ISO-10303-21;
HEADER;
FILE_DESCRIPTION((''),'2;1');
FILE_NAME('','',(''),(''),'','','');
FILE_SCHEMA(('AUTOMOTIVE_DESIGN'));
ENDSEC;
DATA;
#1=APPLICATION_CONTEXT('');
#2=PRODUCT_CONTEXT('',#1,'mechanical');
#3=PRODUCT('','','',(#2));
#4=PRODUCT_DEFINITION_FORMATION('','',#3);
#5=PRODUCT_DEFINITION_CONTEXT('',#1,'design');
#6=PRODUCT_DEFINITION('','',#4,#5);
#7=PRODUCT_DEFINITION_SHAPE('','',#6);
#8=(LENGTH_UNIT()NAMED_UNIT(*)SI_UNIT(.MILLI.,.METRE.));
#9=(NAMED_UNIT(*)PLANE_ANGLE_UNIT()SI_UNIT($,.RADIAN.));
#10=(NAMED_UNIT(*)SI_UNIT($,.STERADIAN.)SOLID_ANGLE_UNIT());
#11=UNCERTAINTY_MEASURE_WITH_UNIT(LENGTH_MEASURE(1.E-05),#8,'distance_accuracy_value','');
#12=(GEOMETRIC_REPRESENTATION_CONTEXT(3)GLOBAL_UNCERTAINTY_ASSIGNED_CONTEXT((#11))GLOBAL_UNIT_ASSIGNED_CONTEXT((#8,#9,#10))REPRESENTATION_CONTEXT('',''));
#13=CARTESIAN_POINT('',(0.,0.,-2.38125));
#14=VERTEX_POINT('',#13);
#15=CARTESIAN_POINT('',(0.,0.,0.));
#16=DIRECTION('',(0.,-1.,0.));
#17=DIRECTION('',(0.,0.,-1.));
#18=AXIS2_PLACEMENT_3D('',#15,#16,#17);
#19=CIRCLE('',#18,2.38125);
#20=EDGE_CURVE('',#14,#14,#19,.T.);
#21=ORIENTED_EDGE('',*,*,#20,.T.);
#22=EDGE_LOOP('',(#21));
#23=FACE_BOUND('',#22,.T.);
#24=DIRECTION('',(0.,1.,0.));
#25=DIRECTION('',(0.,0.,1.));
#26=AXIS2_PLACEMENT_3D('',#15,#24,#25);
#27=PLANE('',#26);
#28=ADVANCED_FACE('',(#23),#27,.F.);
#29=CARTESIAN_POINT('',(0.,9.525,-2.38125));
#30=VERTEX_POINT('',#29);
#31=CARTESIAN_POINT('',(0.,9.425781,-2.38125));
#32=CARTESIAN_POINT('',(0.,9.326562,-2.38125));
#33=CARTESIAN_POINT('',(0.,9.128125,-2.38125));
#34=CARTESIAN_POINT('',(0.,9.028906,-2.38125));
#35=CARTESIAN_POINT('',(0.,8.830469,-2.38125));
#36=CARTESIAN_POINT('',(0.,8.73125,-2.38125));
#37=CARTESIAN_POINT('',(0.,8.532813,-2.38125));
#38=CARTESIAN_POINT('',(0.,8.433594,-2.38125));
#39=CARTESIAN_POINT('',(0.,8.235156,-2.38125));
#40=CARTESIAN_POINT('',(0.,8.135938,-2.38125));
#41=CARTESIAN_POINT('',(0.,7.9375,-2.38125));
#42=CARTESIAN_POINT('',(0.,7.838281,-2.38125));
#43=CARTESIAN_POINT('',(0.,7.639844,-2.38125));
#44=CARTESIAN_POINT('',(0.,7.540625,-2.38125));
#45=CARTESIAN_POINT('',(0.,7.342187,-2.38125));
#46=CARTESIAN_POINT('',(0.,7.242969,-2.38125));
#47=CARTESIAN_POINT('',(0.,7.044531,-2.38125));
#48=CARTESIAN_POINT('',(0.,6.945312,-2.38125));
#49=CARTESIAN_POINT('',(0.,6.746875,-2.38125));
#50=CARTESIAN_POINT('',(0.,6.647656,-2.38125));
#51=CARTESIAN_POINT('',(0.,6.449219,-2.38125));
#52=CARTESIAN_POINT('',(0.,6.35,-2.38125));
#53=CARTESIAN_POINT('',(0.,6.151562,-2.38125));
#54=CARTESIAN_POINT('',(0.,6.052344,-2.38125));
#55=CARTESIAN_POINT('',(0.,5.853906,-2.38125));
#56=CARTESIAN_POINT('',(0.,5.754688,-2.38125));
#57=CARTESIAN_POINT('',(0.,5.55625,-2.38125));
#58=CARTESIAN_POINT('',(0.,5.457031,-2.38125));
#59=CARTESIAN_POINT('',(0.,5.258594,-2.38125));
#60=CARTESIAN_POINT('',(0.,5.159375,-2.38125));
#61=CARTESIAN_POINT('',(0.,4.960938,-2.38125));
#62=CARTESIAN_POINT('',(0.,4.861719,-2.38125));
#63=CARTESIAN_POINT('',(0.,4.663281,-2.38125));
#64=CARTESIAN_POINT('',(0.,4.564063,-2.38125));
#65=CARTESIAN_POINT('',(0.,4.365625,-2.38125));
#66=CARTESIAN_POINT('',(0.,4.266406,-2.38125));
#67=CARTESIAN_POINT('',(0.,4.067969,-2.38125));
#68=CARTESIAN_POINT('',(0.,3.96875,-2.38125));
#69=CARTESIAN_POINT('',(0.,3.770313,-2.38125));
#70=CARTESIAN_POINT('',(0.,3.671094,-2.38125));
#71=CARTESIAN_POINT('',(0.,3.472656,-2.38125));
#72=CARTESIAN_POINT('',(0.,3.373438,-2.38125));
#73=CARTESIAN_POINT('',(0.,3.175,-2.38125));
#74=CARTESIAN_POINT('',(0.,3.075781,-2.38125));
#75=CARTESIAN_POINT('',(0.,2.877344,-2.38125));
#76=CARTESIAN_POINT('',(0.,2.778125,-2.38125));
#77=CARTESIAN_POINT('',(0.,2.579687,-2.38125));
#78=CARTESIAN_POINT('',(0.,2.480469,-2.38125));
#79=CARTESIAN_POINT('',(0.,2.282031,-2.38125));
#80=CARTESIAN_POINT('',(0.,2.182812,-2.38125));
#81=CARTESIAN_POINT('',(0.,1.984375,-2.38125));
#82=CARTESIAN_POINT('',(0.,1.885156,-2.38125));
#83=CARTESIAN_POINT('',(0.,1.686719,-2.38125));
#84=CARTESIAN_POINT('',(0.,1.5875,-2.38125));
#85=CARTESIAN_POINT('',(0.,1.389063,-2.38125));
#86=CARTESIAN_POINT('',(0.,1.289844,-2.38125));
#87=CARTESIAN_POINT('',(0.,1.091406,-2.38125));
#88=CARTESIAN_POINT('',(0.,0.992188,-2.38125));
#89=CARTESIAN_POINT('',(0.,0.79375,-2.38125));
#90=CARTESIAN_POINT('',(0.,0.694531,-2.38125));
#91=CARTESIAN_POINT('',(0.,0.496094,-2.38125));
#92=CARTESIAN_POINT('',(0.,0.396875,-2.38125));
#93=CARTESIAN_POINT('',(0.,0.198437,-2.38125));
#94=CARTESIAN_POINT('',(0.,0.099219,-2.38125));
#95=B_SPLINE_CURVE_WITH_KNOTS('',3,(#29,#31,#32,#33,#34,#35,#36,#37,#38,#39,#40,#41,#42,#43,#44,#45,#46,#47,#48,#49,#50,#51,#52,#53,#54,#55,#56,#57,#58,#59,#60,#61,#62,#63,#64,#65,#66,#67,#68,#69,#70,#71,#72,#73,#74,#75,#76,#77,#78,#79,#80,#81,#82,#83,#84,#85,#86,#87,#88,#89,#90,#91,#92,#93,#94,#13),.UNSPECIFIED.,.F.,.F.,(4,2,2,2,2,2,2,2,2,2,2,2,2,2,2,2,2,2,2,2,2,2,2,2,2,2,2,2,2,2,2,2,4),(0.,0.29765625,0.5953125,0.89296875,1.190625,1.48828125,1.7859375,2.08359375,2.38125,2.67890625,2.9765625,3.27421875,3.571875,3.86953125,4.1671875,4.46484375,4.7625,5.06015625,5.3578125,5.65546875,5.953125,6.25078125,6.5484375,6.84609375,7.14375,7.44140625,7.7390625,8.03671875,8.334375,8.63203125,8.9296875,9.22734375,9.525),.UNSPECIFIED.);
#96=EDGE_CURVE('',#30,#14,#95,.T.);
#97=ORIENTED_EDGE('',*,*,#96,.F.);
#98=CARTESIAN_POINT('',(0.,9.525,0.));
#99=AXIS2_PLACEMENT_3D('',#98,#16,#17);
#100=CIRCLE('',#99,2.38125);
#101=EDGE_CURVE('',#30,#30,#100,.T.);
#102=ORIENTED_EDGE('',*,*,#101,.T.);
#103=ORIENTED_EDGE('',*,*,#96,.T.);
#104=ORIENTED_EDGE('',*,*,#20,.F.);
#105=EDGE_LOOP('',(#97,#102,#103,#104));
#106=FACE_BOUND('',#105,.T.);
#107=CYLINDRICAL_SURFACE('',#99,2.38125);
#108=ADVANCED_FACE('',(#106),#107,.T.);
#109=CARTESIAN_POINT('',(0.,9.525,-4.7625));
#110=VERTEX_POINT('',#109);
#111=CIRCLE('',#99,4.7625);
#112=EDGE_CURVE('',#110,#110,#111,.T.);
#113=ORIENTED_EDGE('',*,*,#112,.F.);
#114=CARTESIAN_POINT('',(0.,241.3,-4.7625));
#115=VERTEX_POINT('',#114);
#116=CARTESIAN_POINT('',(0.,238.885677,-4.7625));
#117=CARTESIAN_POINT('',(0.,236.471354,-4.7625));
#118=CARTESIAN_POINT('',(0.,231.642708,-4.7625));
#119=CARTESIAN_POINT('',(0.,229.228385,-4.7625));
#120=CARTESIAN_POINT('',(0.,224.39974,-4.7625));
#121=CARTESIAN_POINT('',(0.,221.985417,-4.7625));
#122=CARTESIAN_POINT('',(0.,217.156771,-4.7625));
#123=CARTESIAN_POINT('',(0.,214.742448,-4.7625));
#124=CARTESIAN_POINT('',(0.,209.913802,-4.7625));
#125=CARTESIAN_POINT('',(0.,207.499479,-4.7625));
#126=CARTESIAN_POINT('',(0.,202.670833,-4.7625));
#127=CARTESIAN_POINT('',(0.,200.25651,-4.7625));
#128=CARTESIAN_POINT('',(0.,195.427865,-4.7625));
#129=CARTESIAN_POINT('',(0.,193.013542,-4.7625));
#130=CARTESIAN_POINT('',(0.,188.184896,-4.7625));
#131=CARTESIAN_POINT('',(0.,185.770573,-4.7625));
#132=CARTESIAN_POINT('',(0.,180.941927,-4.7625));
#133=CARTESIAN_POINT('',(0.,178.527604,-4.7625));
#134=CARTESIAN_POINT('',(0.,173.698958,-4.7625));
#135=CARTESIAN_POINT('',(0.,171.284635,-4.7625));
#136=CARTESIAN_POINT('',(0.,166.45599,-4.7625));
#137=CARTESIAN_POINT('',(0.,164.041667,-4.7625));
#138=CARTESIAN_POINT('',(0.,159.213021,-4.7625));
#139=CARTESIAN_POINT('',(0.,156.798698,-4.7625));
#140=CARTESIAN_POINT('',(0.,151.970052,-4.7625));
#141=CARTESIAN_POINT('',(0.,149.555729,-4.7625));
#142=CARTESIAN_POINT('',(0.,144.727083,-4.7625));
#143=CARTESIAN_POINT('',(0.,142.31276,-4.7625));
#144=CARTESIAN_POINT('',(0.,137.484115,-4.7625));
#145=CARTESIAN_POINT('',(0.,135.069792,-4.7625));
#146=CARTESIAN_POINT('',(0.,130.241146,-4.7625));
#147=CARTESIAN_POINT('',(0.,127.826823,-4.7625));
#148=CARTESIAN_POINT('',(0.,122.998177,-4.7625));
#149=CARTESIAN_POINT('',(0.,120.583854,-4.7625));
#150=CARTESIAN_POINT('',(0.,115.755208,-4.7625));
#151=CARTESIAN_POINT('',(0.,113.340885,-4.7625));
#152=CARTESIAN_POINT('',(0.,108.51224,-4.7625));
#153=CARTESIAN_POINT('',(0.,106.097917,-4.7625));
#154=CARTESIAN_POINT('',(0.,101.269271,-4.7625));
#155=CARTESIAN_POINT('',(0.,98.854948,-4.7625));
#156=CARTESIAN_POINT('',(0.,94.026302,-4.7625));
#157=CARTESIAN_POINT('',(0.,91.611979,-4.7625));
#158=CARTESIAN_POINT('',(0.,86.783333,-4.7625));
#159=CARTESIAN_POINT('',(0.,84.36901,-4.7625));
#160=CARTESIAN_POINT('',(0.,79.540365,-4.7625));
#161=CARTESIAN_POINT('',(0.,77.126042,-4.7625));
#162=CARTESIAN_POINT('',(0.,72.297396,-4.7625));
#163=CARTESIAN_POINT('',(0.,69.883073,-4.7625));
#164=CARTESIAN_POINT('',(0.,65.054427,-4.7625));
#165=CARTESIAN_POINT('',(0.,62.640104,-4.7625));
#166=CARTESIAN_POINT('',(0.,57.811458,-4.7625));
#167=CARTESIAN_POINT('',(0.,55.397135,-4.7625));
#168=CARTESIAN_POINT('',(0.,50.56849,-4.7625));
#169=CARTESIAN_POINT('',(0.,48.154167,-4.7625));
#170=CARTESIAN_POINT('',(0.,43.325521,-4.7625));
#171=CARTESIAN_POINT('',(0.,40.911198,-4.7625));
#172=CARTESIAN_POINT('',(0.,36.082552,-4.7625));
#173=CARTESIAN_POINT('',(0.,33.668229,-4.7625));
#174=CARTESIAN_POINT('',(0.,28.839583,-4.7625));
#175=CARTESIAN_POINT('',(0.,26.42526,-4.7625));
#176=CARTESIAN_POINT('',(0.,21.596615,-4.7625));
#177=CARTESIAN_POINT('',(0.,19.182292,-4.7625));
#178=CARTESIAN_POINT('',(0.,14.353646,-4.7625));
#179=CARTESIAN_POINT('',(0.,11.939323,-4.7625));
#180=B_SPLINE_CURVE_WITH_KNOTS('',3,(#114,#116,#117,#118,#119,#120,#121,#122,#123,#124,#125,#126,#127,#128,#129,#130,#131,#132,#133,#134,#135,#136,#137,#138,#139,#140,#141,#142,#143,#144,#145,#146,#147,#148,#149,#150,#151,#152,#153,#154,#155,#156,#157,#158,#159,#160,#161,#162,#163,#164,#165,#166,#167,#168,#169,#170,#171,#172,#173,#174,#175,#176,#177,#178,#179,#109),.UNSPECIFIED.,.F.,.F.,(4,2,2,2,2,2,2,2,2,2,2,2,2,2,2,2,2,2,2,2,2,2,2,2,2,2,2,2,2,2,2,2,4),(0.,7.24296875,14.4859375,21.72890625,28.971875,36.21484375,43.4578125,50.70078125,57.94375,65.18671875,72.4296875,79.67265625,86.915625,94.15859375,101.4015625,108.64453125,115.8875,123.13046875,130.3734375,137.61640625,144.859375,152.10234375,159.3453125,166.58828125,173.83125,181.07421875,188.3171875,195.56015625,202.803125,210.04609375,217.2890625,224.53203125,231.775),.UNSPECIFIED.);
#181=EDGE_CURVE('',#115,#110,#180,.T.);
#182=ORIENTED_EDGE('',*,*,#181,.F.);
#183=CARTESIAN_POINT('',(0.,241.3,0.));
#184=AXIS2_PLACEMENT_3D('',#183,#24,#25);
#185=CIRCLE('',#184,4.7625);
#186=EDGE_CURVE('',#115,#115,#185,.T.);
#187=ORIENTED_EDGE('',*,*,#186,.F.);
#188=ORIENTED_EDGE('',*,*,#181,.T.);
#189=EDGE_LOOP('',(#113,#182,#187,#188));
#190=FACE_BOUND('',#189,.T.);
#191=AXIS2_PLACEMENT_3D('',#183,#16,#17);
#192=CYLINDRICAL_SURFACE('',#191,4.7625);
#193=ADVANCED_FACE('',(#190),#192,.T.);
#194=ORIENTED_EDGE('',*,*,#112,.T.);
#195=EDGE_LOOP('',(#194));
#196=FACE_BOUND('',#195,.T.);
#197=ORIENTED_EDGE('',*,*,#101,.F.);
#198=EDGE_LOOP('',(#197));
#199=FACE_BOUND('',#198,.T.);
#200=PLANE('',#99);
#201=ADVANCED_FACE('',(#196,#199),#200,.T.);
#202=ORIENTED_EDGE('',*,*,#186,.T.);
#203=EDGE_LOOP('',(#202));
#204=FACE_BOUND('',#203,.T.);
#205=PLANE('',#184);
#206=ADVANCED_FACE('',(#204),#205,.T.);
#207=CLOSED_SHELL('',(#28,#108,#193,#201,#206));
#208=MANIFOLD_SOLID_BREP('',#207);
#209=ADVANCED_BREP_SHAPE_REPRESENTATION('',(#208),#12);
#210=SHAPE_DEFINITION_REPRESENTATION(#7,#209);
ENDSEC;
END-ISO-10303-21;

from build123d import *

# Parameters (mm, degrees)
SKETCH1_R           = 4.7625
BOSS_EXTRUDE1_DEPTH = 241.3
SKETCH2_R           = 4.7625
SKETCH2_R_2         = 2.38125
CUT_EXTRUDE1_DEPTH  = 9.525


with BuildPart() as part:
    # Sketch1 → Boss-Extrude1 (new body)
    with BuildSketch(Plane(origin=(0, 0, 0), x_dir=(1, 0, 0), z_dir=(0, 1, 0))):
        with Locations(Location((0, 0, 0), (0, 0, 90))):
            Circle(SKETCH1_R)
    extrude(amount=BOSS_EXTRUDE1_DEPTH)

    # Sketch2 → Cut-Extrude1 (cut)
    with BuildSketch(Plane.XZ):
        with Locations(Location((0, 0, 0), (0, 0, 270))):
            Circle(SKETCH2_R)
        with Locations(Location((0, 0, 0), (0, 0, 270))):
            Circle(SKETCH2_R_2, mode=Mode.SUBTRACT)
    extrude(amount=-CUT_EXTRUDE1_DEPTH, mode=Mode.SUBTRACT)


solid = part.part
